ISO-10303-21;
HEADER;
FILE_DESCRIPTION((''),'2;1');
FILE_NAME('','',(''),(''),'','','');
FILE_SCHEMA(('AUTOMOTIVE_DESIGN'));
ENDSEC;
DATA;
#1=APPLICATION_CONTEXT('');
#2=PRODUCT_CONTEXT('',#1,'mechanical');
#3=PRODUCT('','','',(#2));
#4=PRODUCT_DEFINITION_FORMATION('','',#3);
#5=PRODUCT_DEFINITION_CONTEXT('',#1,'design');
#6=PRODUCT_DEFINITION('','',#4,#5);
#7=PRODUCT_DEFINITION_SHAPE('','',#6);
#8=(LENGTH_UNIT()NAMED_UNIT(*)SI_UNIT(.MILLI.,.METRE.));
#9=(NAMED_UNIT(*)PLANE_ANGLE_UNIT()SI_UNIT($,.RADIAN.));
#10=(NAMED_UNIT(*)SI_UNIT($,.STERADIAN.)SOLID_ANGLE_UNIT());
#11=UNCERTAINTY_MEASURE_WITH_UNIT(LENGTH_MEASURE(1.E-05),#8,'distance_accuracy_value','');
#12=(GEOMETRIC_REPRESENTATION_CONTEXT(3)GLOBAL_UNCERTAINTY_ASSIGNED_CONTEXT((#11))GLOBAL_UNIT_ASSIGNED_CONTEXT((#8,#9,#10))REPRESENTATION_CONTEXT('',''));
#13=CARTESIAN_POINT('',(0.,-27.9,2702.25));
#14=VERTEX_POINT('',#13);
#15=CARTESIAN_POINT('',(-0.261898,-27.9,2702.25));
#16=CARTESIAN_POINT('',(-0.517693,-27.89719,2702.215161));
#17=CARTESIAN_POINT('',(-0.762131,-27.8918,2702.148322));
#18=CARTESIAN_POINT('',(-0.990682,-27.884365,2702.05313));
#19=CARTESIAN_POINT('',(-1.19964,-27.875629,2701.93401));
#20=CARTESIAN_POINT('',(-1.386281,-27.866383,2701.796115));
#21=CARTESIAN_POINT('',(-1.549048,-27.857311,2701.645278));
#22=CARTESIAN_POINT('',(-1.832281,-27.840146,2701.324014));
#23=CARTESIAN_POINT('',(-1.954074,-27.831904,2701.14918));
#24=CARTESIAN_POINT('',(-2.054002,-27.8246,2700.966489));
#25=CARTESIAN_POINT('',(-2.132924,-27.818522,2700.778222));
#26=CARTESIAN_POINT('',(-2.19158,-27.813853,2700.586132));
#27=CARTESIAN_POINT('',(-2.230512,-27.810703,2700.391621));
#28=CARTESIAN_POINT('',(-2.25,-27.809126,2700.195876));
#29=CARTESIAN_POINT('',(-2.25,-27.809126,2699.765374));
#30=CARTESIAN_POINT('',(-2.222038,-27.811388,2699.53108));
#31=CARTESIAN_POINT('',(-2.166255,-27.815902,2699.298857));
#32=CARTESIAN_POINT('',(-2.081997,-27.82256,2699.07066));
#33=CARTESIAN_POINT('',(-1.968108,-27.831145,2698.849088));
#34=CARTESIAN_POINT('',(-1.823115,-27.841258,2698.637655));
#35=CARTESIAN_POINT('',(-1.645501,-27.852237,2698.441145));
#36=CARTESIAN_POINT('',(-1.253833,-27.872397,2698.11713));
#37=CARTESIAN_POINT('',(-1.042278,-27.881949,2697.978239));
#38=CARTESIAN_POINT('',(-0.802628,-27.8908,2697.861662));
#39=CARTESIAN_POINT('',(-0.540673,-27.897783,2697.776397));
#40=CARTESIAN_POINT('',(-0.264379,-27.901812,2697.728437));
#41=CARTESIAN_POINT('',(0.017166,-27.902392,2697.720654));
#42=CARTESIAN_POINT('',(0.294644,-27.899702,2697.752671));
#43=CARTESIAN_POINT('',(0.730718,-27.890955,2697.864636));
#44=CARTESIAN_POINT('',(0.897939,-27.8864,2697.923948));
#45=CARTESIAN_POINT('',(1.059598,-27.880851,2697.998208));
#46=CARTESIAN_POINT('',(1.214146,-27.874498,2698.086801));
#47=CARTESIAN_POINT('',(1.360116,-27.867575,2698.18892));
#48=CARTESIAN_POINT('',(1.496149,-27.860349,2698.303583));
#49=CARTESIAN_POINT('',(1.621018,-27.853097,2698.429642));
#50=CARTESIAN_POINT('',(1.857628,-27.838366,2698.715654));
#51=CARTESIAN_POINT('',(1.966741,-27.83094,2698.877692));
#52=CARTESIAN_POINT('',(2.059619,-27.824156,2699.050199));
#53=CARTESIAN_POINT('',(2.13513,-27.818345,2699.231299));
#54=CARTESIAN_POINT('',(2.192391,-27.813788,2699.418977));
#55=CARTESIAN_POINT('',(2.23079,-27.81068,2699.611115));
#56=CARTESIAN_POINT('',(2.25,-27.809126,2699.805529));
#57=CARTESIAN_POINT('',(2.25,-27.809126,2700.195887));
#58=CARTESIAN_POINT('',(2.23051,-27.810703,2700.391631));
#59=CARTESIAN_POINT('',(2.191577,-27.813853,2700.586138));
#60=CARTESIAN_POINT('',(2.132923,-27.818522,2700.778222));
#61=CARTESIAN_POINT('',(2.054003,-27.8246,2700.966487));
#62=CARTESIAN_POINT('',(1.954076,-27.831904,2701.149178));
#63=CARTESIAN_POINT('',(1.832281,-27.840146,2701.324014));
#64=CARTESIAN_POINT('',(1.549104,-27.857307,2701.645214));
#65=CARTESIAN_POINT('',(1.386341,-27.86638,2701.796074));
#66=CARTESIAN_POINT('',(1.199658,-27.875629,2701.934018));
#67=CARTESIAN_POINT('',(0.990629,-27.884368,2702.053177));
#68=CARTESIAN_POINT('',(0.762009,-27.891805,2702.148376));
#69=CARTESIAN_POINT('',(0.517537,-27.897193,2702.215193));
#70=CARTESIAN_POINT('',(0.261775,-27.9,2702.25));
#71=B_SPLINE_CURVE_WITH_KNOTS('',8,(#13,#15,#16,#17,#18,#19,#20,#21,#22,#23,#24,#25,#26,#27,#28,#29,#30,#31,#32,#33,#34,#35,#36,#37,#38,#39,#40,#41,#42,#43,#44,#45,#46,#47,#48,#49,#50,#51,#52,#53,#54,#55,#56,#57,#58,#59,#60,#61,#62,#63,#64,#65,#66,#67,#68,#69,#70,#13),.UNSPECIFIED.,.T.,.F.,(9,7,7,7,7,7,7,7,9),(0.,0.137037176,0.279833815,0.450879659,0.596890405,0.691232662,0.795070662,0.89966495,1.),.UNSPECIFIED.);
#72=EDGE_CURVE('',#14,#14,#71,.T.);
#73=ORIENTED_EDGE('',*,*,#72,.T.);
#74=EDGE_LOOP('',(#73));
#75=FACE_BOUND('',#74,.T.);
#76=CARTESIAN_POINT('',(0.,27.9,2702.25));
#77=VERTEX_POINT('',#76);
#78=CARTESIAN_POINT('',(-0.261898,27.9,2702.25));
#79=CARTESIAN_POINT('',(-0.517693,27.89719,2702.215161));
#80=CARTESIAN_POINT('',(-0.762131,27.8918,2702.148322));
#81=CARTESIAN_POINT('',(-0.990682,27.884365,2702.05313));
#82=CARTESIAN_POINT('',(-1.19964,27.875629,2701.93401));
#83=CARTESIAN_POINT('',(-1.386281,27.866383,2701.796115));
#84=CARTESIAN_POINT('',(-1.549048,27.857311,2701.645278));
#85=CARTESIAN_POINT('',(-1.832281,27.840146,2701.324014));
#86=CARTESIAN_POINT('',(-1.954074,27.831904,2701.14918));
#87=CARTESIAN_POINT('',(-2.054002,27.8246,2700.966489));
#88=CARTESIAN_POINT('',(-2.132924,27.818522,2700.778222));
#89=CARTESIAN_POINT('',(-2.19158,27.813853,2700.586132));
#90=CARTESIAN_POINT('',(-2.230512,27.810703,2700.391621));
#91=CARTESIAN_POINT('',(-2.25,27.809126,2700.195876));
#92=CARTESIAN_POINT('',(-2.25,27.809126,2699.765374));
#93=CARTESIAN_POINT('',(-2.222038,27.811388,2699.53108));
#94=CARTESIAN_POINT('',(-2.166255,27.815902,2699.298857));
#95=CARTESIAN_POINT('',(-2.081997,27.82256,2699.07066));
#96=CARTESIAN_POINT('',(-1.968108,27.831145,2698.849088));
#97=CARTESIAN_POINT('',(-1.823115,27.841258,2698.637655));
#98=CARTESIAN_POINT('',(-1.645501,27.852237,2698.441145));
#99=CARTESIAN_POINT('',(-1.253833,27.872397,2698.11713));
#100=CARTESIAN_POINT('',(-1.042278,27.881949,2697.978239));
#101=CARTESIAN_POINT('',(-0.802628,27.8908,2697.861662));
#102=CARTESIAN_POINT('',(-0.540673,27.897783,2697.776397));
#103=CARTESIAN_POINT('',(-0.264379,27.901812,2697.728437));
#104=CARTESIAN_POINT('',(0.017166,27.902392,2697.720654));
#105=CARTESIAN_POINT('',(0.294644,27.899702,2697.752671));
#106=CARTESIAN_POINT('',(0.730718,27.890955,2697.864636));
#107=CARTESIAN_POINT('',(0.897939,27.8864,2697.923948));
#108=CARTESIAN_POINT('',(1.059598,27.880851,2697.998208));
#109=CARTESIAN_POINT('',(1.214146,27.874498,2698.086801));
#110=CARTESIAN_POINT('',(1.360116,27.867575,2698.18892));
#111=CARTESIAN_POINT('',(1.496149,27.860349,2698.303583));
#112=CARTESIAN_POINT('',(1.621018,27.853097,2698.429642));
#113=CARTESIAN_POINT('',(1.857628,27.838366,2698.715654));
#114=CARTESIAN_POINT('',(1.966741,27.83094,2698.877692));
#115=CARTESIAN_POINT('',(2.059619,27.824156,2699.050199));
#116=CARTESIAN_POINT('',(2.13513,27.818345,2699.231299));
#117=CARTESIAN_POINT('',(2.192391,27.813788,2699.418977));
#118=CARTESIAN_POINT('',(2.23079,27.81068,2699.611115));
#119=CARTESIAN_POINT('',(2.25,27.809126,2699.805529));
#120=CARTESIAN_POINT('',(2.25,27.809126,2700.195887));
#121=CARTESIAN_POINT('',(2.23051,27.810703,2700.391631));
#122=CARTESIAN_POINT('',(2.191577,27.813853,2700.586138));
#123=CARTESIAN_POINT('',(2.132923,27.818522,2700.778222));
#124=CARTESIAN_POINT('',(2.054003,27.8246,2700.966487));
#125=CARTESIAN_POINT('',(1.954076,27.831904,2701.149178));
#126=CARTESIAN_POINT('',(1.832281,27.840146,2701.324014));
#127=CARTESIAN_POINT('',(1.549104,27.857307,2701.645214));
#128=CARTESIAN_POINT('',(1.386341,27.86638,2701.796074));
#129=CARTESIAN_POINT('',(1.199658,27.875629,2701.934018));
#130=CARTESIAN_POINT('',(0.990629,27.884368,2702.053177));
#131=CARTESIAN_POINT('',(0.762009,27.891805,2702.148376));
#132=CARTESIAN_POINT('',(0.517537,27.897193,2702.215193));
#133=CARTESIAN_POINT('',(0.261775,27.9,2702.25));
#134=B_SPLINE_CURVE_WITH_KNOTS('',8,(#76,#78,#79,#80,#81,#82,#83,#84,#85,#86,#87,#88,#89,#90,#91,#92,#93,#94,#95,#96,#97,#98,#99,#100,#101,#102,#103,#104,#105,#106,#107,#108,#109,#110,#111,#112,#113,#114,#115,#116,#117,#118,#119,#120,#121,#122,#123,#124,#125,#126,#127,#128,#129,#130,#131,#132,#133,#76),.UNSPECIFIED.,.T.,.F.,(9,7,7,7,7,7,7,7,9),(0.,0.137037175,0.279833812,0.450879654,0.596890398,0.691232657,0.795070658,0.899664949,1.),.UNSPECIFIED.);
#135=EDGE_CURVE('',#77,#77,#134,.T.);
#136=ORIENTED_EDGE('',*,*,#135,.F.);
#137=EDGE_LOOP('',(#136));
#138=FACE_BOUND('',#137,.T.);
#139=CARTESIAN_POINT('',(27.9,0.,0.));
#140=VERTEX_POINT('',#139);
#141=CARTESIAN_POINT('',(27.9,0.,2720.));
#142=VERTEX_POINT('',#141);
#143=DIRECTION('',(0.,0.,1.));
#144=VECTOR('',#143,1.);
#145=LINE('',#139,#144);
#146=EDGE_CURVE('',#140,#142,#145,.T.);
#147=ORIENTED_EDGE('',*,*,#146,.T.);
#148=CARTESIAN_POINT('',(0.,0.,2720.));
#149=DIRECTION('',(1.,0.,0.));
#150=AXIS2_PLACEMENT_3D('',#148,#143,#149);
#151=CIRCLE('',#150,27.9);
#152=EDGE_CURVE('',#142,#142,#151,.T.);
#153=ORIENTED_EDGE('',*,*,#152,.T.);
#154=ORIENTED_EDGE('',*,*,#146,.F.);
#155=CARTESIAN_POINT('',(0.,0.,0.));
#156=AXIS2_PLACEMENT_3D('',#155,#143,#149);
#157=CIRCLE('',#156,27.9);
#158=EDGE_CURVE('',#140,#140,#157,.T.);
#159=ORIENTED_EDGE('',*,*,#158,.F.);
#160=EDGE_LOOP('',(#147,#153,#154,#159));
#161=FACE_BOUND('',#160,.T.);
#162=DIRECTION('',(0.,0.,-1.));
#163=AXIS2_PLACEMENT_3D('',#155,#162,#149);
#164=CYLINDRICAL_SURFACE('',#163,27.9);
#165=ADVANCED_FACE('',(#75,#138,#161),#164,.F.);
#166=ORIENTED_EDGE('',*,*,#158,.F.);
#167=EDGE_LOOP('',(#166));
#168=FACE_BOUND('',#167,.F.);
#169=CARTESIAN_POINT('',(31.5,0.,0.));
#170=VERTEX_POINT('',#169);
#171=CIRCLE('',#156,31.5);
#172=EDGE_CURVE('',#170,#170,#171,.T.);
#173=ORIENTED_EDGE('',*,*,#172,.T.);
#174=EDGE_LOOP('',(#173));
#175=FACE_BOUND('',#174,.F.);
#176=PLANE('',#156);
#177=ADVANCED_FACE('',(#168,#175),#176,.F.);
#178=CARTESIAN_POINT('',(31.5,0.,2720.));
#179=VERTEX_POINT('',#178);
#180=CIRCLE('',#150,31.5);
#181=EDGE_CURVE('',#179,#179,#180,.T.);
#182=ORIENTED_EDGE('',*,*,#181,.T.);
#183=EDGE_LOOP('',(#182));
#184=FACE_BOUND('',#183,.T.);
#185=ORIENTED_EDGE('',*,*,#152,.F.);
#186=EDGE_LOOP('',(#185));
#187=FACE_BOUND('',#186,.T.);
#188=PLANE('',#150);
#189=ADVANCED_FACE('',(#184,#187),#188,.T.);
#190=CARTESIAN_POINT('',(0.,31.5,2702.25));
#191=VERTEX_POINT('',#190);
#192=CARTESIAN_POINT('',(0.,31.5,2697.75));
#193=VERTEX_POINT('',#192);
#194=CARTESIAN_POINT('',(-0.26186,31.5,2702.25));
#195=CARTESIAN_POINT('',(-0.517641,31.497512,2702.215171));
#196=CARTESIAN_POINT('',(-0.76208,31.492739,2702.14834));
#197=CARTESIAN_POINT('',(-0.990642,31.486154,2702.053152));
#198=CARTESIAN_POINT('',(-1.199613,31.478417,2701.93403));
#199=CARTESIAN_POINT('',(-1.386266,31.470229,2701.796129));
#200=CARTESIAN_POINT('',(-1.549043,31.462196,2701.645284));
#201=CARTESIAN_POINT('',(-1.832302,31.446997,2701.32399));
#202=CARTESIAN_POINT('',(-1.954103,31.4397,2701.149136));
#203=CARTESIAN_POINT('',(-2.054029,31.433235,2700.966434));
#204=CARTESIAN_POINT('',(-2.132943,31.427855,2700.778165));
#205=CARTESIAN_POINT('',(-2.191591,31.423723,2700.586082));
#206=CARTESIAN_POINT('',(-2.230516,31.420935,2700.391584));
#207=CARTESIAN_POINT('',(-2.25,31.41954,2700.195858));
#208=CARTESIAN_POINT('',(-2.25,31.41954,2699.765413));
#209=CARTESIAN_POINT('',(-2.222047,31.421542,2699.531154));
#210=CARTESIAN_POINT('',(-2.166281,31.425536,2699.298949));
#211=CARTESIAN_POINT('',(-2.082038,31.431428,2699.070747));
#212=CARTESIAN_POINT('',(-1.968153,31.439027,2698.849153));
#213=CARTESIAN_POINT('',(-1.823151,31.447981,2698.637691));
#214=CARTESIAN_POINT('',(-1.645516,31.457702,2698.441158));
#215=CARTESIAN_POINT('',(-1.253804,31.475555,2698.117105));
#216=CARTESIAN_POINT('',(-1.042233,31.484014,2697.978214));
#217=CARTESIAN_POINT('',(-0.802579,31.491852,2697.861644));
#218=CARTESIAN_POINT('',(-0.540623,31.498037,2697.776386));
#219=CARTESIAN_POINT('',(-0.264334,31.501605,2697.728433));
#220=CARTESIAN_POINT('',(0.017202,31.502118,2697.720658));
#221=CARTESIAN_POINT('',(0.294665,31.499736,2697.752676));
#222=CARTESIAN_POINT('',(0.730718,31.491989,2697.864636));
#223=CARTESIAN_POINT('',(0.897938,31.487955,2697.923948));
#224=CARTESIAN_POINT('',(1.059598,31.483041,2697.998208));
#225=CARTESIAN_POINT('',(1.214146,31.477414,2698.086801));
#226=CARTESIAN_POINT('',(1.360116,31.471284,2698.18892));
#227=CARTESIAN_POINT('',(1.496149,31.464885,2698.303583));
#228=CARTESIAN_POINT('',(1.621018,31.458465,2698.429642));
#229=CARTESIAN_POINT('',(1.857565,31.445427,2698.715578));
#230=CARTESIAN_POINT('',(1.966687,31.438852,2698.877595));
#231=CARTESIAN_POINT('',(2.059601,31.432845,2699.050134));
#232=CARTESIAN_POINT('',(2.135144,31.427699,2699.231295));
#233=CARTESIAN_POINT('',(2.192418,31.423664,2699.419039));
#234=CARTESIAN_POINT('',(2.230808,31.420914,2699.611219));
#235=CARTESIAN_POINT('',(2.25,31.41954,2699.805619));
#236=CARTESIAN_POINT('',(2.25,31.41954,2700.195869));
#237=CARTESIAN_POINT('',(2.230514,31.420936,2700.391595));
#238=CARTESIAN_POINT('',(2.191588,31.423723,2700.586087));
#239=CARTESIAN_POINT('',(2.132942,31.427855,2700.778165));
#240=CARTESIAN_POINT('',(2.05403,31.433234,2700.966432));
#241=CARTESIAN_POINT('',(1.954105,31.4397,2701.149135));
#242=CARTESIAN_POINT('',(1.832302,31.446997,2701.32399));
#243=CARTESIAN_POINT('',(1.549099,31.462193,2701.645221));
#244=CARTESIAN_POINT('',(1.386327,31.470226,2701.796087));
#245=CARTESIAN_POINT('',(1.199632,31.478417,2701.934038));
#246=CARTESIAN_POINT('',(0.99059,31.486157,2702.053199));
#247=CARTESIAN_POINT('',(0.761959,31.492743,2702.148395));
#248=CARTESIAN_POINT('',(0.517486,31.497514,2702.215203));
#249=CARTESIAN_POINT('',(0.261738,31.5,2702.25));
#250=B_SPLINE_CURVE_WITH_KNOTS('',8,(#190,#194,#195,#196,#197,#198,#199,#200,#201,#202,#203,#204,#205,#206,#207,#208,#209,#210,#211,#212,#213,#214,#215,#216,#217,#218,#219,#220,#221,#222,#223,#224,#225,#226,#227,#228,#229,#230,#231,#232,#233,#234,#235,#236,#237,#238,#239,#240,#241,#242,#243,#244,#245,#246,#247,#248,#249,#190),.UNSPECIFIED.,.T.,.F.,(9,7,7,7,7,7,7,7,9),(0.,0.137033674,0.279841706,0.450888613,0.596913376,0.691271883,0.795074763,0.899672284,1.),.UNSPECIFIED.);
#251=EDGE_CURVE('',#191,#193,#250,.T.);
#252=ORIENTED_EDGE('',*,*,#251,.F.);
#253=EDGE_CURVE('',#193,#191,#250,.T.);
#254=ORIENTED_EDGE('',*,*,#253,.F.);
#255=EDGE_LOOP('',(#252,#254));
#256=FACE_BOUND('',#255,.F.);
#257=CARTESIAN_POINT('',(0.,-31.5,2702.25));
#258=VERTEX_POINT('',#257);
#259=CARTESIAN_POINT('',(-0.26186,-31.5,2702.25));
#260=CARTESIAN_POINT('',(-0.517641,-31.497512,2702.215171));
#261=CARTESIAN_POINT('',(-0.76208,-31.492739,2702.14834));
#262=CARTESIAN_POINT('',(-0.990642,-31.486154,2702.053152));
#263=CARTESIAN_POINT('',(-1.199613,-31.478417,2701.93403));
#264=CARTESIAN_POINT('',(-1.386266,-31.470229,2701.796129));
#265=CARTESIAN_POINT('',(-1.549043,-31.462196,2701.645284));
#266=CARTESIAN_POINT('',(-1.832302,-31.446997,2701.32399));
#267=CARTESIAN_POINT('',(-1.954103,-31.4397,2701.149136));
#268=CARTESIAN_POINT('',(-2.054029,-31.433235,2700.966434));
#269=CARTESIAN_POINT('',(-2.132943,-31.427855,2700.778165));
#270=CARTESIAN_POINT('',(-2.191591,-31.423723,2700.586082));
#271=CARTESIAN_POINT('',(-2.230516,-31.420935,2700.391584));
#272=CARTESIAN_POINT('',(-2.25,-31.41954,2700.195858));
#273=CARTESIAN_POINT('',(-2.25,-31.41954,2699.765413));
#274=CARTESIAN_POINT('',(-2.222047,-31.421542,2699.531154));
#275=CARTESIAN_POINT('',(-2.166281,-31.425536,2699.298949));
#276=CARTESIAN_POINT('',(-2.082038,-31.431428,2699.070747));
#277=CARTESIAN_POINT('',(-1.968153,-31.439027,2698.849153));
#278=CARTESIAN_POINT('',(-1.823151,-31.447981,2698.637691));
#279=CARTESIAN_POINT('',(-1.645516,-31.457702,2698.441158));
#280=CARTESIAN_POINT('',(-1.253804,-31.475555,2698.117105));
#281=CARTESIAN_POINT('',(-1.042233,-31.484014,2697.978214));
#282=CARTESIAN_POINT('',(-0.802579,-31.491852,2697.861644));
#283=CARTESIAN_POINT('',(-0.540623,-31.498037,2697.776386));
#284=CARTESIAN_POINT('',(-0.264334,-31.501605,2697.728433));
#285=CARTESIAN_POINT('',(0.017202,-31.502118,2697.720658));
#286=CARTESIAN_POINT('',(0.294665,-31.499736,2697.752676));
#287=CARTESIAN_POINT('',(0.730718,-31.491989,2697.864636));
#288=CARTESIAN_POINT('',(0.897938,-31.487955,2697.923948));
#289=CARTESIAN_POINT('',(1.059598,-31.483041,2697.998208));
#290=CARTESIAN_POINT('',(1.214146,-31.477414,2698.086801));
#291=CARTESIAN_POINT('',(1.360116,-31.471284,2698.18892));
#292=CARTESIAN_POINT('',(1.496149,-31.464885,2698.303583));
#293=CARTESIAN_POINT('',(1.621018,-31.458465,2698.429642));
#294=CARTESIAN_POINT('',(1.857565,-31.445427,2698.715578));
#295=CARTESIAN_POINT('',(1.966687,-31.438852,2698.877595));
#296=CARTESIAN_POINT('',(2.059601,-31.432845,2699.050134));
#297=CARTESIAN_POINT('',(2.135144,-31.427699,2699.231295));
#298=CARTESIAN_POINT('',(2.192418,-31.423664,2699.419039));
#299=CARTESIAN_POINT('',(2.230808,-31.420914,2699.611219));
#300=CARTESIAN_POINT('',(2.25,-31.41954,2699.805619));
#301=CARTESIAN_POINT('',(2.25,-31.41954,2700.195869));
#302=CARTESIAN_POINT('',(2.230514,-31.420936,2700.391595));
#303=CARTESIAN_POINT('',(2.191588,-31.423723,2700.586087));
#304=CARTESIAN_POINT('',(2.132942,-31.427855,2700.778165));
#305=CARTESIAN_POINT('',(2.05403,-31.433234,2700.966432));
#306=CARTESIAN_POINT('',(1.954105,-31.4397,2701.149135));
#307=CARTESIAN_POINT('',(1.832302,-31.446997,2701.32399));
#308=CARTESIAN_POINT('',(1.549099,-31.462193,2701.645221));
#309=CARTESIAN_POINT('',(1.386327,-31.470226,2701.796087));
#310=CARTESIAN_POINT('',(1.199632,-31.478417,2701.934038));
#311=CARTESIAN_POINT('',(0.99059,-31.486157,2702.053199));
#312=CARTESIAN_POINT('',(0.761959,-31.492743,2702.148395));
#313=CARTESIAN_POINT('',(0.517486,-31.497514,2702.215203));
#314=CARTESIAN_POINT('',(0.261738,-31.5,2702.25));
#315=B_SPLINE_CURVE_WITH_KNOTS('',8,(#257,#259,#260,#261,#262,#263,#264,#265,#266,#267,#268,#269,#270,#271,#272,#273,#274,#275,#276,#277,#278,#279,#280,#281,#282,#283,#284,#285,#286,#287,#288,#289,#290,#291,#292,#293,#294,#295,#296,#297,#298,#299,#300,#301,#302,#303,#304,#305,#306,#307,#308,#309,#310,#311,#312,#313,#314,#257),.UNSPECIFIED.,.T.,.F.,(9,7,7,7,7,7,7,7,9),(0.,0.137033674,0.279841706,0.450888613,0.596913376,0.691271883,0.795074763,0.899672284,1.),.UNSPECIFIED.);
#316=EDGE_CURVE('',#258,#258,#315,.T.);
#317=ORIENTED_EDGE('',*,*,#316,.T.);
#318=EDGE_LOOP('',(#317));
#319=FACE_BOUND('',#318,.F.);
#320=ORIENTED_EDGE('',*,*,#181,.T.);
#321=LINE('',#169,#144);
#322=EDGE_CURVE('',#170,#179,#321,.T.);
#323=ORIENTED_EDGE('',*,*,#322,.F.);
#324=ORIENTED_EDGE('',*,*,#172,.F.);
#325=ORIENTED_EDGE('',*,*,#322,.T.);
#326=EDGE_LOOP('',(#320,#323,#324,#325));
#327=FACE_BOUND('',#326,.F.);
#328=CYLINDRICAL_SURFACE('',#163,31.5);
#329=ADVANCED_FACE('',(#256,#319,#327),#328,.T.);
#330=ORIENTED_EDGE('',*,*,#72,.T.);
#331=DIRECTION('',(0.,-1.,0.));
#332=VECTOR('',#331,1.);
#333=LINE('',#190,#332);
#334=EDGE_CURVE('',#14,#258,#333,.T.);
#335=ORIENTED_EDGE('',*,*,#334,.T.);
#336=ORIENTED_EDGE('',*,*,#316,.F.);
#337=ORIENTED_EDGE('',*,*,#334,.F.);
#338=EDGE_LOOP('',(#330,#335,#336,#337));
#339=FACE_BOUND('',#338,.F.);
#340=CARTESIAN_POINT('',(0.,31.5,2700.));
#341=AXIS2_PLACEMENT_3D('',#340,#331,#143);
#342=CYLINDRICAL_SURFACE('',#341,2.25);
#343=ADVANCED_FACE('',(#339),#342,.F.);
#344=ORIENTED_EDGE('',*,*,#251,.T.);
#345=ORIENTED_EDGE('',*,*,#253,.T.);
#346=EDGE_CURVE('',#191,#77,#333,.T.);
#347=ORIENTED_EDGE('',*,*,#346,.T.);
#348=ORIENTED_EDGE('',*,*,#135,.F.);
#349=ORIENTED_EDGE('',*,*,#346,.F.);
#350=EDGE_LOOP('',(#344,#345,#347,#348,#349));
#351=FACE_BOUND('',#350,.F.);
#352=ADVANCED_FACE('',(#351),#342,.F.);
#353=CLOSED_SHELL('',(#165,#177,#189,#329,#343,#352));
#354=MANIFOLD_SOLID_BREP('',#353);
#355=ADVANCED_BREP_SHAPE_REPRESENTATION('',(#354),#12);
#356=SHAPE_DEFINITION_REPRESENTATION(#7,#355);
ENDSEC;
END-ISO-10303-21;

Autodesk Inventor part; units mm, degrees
ref_plane "YZ Plane" through (0, 0, 0) normal (1, 0, 0) x (0, 1, 0)
sketch "Sketch1" plane through (0, 0, 0) normal (0, 0, 1) x (1, 0, 0)
  circle A0 centre (0, 0) radius 31.5
  circle A1 centre (0, 0) radius 27.9
  dimension "d0" = 63
  dimension "d2" = 3.6
extrude "Extrusion1" add sketch "Sketch1" along normal blind 2720
sketch "Sketch4" plane through (0, 0, 2720) normal (0, 0, 1) x (1, 0, 0)
  circle A0 centre (0, 0) radius 27.9 projected
  circle A1 centre (0, 0) radius 31.5 projected
  point P0 (0, 31.5)
ref_plane "Work Plane2" through (0, 31.5, 2720) normal (0, 1, 0) x (-1, 0, 0)
sketch "Sketch5" plane through (0, 31.5, 2720) normal (0, 1, 0) x (-1, 0, 0)
  circle A0 centre (0, -20) radius 2.0895
  line L0 (31.5, 0) -> (-31.5, 0) projected
  point P0 (0, -2720)
  dimension "d16" = 20
hole "Hole2" at (0, 31.5, 2700) direction (0, -1, 0) diameter 4.5 end through all
ref_plane "Work Plane3" through (0, 30, 0) normal (0, 1, 0) x (-1, 0, 0)
sketch "Sketch6" plane through (0, 30, 0) normal (0, 1, 0) x (-1, 0, 0)
  line L0 (-12.0739, 2711.7079) -> (13.0933, 2711.7079)
  line L1 (13.0933, 2711.7079) -> (13.0933, 2720)
  line L2 (13.0933, 2720) -> (-12.0739, 2720)
  line L3 (-12.0739, 2720) -> (-12.0739, 2711.7079)
  line L4 (31.5, 2720) -> (-31.5, 2720) projected
  point P0 (0, 0)
  dimension "d28" = 0
  dimension "d29" = 8.2921
extrude "Extrusion2" [suppressed]
properties part number "sparHoriz_B" material "PVC-Piping"
